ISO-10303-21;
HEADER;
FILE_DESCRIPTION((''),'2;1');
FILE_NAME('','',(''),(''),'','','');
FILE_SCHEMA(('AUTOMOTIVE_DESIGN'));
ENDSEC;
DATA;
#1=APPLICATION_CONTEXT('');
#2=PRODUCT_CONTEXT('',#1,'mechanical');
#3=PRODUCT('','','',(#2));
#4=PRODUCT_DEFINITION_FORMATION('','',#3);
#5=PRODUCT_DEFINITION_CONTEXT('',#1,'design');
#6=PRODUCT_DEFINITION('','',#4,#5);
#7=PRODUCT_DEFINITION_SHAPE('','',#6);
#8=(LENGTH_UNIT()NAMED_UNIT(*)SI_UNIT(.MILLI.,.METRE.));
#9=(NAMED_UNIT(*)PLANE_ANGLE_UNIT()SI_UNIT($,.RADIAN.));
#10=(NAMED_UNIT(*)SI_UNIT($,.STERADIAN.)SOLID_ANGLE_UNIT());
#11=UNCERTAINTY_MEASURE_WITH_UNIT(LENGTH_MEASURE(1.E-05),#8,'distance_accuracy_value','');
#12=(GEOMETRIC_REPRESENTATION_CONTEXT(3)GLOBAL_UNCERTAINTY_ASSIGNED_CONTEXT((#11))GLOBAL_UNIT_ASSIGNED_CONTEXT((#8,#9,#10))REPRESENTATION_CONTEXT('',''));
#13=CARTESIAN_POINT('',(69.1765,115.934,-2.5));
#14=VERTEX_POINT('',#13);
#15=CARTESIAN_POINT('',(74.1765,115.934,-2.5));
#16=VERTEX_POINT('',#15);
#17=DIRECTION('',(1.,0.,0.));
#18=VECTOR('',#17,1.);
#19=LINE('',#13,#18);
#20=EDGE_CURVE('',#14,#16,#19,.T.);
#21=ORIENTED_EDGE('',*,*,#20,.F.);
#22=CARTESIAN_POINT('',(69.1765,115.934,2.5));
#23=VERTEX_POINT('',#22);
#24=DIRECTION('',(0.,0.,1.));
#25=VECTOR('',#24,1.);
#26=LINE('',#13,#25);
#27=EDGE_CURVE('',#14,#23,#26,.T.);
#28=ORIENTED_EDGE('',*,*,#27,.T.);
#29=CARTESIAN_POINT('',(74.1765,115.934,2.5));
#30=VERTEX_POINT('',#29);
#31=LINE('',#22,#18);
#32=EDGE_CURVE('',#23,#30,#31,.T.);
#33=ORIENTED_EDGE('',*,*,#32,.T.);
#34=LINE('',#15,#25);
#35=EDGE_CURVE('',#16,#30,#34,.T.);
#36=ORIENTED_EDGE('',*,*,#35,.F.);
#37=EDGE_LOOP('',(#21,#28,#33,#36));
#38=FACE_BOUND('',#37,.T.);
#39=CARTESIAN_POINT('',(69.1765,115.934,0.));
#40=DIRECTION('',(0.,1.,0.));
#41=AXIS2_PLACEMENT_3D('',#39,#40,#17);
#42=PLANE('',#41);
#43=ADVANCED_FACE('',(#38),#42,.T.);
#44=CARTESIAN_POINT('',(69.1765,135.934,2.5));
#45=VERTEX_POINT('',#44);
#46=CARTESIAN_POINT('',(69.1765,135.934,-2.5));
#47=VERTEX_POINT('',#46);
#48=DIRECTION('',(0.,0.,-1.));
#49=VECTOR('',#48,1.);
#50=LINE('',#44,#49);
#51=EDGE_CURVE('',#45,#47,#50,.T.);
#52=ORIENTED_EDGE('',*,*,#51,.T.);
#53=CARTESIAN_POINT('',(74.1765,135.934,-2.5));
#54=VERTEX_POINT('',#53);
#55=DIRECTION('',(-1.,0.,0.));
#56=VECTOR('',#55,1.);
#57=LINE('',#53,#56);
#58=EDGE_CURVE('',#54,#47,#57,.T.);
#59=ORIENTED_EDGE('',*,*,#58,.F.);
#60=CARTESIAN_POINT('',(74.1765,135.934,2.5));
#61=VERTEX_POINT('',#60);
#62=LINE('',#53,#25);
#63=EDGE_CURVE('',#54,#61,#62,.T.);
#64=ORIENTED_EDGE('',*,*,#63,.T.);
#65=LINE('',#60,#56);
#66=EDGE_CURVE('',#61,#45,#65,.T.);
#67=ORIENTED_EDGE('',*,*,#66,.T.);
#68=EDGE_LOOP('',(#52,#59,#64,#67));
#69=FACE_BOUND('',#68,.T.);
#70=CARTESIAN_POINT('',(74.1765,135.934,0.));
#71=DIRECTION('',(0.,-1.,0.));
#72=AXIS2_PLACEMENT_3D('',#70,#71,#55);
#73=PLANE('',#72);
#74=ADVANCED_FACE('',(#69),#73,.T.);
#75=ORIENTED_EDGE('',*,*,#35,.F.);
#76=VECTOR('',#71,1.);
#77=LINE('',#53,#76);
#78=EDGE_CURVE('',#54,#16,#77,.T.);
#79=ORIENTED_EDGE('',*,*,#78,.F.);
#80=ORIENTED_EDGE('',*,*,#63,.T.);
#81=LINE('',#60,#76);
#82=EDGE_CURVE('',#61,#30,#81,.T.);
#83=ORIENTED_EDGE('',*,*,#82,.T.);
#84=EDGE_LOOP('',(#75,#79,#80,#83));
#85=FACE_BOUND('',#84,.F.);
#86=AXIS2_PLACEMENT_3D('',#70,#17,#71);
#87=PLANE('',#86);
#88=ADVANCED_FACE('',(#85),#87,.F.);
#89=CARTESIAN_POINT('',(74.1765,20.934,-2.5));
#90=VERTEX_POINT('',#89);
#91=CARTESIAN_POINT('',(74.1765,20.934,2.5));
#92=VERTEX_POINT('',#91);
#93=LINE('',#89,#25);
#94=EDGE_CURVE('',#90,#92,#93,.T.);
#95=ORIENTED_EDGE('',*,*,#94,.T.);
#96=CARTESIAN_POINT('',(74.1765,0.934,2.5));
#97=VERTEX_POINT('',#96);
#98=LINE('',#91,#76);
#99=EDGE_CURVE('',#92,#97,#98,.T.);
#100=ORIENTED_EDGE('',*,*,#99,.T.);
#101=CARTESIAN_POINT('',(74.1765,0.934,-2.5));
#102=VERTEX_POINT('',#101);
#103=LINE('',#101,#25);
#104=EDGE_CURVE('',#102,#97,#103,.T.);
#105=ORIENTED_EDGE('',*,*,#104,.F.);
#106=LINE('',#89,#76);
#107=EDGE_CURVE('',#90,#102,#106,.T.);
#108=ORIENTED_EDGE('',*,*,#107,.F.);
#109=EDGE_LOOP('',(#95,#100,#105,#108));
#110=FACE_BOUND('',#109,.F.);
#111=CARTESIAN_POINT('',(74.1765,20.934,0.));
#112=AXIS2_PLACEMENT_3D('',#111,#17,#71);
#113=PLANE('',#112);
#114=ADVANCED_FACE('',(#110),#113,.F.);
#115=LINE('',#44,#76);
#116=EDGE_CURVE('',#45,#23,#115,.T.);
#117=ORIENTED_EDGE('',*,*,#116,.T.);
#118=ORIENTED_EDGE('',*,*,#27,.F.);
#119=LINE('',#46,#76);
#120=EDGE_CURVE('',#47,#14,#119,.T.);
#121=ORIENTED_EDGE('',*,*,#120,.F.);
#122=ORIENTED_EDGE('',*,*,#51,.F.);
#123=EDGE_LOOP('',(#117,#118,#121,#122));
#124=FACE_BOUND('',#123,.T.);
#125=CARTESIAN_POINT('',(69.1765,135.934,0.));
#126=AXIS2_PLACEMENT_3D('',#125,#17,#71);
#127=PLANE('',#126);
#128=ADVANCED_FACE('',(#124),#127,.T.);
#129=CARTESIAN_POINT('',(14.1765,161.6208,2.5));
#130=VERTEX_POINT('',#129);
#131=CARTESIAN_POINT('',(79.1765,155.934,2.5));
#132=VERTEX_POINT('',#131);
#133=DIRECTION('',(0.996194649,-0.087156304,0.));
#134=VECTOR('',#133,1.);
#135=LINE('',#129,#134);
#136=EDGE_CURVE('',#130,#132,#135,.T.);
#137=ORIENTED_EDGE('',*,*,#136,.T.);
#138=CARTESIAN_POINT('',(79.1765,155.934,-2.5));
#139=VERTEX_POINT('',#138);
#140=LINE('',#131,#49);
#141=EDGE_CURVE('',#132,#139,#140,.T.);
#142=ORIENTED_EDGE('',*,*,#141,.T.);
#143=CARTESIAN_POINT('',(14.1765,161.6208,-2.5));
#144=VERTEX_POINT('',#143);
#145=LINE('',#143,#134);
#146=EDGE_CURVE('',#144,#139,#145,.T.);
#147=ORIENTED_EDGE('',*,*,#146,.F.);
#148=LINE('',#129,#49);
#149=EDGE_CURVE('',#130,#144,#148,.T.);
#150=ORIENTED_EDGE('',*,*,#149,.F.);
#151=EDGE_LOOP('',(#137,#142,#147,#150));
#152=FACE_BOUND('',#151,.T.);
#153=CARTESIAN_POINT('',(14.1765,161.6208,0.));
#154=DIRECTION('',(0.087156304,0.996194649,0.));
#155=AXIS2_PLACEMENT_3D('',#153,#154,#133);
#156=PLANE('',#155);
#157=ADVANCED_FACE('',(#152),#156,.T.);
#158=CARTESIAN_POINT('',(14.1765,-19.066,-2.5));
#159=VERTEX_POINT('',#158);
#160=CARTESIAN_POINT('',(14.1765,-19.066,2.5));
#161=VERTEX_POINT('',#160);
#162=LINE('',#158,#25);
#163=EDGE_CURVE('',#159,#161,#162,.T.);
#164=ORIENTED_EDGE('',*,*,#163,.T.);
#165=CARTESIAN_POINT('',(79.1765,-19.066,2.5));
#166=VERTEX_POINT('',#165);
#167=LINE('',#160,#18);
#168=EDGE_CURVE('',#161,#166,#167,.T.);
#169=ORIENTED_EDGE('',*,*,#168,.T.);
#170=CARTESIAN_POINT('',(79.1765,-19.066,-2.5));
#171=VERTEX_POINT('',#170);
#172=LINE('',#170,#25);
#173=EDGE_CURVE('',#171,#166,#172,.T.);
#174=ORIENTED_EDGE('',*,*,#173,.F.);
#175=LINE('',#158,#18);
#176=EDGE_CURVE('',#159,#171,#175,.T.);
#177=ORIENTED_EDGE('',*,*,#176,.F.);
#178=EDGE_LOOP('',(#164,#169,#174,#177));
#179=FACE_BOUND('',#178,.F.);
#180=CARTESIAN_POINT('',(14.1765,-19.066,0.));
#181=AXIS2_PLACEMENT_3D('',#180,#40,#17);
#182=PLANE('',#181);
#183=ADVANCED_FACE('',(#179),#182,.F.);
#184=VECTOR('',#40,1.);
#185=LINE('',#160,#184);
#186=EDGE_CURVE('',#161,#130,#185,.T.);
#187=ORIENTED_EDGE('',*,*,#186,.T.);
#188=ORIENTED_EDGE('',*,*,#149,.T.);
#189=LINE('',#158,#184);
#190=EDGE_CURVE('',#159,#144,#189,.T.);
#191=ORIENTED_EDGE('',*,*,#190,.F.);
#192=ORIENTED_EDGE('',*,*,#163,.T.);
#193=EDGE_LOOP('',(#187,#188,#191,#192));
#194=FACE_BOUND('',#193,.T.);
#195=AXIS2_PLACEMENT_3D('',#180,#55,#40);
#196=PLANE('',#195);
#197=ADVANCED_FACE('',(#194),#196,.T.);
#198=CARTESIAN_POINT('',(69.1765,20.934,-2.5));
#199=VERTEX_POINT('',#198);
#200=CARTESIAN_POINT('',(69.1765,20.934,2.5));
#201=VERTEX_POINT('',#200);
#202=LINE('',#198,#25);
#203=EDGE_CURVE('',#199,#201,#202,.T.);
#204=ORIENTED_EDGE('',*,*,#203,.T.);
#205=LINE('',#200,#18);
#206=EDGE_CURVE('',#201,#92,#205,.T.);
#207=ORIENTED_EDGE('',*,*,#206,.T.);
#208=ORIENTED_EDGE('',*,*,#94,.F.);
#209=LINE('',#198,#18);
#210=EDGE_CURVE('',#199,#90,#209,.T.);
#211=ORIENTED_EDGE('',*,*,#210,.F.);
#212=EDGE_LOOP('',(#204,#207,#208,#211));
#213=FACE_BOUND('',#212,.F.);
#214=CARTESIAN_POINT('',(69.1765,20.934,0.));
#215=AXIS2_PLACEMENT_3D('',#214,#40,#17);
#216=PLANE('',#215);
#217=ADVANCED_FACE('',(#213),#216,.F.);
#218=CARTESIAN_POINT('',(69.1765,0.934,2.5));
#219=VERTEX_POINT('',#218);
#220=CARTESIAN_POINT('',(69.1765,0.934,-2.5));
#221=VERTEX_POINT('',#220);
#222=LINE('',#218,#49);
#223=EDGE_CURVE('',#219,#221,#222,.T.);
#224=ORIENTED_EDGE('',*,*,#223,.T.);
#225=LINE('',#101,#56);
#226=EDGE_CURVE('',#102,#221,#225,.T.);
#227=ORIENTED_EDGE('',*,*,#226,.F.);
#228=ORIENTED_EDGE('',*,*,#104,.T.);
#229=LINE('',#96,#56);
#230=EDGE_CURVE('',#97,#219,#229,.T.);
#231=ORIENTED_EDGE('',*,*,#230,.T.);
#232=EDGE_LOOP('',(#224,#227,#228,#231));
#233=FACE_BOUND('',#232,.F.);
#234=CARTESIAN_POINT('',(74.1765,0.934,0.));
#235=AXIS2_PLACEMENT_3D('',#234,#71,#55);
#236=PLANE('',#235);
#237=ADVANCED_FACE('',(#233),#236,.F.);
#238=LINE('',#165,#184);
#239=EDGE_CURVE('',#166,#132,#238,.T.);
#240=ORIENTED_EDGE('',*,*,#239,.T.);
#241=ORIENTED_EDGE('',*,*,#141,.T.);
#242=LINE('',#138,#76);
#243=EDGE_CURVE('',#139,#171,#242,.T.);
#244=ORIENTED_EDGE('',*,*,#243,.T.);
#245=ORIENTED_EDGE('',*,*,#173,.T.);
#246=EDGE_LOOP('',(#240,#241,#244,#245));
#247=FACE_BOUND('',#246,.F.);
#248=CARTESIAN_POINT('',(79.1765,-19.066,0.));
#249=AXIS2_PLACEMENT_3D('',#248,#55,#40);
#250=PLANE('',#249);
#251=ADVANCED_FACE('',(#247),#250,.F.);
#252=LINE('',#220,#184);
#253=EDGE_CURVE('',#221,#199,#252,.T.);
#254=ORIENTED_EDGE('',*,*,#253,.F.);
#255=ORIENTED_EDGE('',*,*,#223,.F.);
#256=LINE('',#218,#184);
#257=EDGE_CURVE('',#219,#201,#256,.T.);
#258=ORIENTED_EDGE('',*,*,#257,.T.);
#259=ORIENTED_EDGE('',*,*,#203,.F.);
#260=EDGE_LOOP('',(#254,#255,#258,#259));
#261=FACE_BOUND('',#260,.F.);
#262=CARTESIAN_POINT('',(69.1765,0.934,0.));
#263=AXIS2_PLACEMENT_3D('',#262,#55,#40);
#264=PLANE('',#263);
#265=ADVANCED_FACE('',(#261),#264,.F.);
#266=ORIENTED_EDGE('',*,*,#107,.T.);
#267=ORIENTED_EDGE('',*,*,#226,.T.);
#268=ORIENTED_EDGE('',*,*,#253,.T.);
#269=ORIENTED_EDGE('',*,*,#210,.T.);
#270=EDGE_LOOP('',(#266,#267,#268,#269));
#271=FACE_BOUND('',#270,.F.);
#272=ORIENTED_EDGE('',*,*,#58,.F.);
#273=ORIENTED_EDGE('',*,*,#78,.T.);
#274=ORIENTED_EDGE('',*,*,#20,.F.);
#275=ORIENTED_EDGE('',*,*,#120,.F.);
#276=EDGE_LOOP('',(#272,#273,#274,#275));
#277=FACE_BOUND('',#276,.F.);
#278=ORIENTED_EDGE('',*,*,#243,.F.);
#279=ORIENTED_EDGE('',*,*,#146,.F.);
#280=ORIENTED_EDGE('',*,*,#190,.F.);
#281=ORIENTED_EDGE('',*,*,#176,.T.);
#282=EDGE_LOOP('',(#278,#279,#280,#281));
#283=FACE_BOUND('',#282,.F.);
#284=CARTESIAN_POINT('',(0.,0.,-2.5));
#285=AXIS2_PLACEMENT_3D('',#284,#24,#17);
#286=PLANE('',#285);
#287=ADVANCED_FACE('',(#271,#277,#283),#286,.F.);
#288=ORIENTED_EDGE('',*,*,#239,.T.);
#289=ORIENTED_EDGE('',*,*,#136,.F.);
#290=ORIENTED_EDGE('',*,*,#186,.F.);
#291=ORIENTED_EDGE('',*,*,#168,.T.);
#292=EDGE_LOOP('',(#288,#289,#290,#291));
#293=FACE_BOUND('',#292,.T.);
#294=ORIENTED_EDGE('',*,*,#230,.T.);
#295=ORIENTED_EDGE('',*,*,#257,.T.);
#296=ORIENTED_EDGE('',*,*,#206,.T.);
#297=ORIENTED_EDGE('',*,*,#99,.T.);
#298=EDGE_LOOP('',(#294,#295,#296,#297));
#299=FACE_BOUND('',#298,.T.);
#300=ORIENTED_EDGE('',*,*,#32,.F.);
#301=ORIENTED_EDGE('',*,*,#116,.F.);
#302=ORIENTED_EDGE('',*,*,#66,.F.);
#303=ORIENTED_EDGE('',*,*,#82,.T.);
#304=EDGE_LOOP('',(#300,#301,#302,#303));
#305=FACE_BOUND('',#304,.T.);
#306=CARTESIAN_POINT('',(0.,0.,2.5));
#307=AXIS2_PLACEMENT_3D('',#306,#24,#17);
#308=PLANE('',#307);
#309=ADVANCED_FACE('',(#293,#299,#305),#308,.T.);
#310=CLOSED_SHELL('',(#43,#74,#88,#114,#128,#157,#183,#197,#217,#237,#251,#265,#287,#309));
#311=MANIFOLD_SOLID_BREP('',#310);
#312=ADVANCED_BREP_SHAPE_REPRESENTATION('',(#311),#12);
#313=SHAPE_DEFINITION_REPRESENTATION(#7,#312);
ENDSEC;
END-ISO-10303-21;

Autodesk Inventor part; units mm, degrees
ref_plane "YZ Plane" through (0, 0, 0) normal (1, 0, 0) x (0, 1, 0)
ref_plane "XZ Plane" through (0, 0, 0) normal (0, 1, 0) x (-1, 0, 0)
ref_plane "XY Plane" through (0, 0, 0) normal (0, 0, 1) x (1, 0, 0)
sketch "Sketch1" plane through (0, 0, 0) normal (0, 0, 1) x (1, 0, 0)
  line L0 (14.1765, -19.066) -> (14.1765, 161.6208)
  line L1 (14.1765, -19.066) -> (79.1765, -19.066)
  line L2 (79.1765, -19.066) -> (79.1765, 155.934)
  line L3 (79.1765, -19.066) -> (14.1765, -19.066)
  line L4 (79.1765, -19.066) -> (14.1765, -19.066)
  line L5 (14.1765, 161.6208) -> (79.1765, 155.934)
  line L6 (79.1765, 135.934) -> (74.1765, 135.934)
  line L7 (74.1765, 135.934) -> (74.1765, 115.934)
  line L8 (74.1765, 115.934) -> (79.1765, 115.934)
  line L9 (79.1765, 115.934) -> (79.1765, 135.934)
  line L10 (69.1765, 20.934) -> (74.1765, 20.934)
  line L11 (74.1765, 20.934) -> (74.1765, 0.934)
  line L12 (74.1765, 0.934) -> (69.1765, 0.934)
  line L13 (69.1765, 0.934) -> (69.1765, 20.934)
  line L14 (74.1765, 135.934) -> (69.1765, 135.934)
  line L15 (69.1765, 135.934) -> (69.1765, 115.934)
  line L16 (69.1765, 115.934) -> (74.1765, 115.934)
  line L17 (74.1765, 115.934) -> (74.1765, 135.934)
  point P0 (0, 0)
  point P1 (71.6765, 0.934)
  point P2 (79.2985, 0.69)
  point P3 (79.2985, 20.69)
  point P4 (79.1765, 115.934)
  dimension "d3" = 65
  dimension "d23" = 85
  dimension "d26" = 175
  dimension "d27" = 180.6868
  dimension "d28" = 5
  dimension "d29" = 20
  dimension "d30" = 5
  dimension "d31" = 20
  dimension "d32" = 20
  dimension "d33" = 20
  dimension "d35" = 5
  dimension "d36" = 5
extrude "Extrusion1" add sketch "Sketch1" along normal mid plane 5 contours L0 L5 L2 L6 L14 L15 L16 L8 L1 | L8 L7 L6 L2
equation "\"BendRadius\" = Thickness"
equation "\"BendReliefWidth\" = Thickness"
equation "\"BendReliefDepth\" = 0.5 * Thickness"
equation "\"CornerReliefSize\" = 4 * Thickness"
equation "\"MinimumRemnant\" = 2 * Thickness"
equation "\"TransitionRadius\" = BendRadius"
equation "\"JacobiRadiusSize\" = BendRadius"
equation "\"GapSize\" = Thickness"
equation "\"Thickness\" = 0.5"
properties part number "stand"
